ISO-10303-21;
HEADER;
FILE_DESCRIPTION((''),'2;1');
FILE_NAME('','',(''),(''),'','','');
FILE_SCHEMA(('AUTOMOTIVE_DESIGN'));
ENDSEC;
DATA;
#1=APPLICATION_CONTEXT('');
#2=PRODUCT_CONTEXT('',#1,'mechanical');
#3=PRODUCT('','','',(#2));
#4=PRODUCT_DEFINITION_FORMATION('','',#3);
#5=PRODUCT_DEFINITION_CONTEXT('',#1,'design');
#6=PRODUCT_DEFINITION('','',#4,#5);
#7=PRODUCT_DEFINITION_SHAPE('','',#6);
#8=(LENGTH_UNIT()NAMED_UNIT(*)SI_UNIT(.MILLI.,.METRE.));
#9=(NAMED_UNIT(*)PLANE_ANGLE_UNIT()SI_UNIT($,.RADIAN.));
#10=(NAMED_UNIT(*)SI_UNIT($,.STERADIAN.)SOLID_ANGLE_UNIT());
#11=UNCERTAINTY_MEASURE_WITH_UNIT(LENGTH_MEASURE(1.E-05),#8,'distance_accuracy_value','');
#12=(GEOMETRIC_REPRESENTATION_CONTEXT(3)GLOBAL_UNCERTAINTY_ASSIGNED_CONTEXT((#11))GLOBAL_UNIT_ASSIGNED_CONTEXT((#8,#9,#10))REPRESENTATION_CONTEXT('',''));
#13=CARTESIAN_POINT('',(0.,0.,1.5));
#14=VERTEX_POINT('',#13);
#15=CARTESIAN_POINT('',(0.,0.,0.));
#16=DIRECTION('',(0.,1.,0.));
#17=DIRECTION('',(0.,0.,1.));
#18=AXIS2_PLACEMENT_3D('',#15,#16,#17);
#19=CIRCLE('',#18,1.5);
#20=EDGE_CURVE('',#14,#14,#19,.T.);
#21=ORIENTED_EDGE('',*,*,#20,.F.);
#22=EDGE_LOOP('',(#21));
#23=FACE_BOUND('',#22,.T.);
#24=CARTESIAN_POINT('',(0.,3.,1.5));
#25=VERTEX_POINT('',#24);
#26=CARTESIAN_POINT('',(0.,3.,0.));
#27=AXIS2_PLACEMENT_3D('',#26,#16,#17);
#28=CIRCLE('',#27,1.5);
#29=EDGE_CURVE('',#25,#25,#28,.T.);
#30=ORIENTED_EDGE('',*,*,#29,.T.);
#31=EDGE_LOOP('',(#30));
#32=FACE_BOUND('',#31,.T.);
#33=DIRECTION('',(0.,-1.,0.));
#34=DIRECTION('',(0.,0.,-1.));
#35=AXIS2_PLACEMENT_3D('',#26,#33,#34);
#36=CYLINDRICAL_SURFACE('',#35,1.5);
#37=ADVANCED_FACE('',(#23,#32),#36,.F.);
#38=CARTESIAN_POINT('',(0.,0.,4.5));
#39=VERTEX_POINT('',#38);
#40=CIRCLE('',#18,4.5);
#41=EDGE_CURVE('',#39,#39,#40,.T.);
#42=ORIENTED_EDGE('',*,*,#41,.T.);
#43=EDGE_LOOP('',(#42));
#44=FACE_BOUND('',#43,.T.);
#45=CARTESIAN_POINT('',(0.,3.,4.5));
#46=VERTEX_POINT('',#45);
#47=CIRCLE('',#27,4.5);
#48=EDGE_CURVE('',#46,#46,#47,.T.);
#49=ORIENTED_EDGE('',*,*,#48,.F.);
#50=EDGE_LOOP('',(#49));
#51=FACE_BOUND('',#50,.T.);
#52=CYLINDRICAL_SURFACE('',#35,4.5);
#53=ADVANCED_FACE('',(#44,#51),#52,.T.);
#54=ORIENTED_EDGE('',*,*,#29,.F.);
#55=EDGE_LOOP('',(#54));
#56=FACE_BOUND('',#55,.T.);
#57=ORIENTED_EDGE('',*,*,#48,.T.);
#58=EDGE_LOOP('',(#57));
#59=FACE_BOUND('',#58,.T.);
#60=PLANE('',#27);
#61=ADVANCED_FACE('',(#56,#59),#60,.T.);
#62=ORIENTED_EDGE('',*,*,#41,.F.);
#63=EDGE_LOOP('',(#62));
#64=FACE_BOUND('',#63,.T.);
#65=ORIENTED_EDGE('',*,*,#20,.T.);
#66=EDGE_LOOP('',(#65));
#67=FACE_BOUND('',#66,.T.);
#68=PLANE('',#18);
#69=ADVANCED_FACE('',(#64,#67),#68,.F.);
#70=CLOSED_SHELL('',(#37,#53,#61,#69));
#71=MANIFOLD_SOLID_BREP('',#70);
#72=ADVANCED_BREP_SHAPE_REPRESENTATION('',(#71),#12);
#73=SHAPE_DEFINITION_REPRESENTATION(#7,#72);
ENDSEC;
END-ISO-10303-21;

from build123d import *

# Parameters (mm, degrees)
SKETCH1_R           = 4.5
SKETCH1_R_2         = 1.5
BOSS_EXTRUDE1_DEPTH = 3


with BuildPart() as part:
    # Sketch1 → Boss-Extrude1 (new body)
    with BuildSketch(Plane(origin=(0, 0, 0), x_dir=(1, 0, 0), z_dir=(0, 1, 0))):
        Circle(SKETCH1_R)
        Circle(SKETCH1_R_2, mode=Mode.SUBTRACT)
    extrude(amount=BOSS_EXTRUDE1_DEPTH)


solid = part.part
